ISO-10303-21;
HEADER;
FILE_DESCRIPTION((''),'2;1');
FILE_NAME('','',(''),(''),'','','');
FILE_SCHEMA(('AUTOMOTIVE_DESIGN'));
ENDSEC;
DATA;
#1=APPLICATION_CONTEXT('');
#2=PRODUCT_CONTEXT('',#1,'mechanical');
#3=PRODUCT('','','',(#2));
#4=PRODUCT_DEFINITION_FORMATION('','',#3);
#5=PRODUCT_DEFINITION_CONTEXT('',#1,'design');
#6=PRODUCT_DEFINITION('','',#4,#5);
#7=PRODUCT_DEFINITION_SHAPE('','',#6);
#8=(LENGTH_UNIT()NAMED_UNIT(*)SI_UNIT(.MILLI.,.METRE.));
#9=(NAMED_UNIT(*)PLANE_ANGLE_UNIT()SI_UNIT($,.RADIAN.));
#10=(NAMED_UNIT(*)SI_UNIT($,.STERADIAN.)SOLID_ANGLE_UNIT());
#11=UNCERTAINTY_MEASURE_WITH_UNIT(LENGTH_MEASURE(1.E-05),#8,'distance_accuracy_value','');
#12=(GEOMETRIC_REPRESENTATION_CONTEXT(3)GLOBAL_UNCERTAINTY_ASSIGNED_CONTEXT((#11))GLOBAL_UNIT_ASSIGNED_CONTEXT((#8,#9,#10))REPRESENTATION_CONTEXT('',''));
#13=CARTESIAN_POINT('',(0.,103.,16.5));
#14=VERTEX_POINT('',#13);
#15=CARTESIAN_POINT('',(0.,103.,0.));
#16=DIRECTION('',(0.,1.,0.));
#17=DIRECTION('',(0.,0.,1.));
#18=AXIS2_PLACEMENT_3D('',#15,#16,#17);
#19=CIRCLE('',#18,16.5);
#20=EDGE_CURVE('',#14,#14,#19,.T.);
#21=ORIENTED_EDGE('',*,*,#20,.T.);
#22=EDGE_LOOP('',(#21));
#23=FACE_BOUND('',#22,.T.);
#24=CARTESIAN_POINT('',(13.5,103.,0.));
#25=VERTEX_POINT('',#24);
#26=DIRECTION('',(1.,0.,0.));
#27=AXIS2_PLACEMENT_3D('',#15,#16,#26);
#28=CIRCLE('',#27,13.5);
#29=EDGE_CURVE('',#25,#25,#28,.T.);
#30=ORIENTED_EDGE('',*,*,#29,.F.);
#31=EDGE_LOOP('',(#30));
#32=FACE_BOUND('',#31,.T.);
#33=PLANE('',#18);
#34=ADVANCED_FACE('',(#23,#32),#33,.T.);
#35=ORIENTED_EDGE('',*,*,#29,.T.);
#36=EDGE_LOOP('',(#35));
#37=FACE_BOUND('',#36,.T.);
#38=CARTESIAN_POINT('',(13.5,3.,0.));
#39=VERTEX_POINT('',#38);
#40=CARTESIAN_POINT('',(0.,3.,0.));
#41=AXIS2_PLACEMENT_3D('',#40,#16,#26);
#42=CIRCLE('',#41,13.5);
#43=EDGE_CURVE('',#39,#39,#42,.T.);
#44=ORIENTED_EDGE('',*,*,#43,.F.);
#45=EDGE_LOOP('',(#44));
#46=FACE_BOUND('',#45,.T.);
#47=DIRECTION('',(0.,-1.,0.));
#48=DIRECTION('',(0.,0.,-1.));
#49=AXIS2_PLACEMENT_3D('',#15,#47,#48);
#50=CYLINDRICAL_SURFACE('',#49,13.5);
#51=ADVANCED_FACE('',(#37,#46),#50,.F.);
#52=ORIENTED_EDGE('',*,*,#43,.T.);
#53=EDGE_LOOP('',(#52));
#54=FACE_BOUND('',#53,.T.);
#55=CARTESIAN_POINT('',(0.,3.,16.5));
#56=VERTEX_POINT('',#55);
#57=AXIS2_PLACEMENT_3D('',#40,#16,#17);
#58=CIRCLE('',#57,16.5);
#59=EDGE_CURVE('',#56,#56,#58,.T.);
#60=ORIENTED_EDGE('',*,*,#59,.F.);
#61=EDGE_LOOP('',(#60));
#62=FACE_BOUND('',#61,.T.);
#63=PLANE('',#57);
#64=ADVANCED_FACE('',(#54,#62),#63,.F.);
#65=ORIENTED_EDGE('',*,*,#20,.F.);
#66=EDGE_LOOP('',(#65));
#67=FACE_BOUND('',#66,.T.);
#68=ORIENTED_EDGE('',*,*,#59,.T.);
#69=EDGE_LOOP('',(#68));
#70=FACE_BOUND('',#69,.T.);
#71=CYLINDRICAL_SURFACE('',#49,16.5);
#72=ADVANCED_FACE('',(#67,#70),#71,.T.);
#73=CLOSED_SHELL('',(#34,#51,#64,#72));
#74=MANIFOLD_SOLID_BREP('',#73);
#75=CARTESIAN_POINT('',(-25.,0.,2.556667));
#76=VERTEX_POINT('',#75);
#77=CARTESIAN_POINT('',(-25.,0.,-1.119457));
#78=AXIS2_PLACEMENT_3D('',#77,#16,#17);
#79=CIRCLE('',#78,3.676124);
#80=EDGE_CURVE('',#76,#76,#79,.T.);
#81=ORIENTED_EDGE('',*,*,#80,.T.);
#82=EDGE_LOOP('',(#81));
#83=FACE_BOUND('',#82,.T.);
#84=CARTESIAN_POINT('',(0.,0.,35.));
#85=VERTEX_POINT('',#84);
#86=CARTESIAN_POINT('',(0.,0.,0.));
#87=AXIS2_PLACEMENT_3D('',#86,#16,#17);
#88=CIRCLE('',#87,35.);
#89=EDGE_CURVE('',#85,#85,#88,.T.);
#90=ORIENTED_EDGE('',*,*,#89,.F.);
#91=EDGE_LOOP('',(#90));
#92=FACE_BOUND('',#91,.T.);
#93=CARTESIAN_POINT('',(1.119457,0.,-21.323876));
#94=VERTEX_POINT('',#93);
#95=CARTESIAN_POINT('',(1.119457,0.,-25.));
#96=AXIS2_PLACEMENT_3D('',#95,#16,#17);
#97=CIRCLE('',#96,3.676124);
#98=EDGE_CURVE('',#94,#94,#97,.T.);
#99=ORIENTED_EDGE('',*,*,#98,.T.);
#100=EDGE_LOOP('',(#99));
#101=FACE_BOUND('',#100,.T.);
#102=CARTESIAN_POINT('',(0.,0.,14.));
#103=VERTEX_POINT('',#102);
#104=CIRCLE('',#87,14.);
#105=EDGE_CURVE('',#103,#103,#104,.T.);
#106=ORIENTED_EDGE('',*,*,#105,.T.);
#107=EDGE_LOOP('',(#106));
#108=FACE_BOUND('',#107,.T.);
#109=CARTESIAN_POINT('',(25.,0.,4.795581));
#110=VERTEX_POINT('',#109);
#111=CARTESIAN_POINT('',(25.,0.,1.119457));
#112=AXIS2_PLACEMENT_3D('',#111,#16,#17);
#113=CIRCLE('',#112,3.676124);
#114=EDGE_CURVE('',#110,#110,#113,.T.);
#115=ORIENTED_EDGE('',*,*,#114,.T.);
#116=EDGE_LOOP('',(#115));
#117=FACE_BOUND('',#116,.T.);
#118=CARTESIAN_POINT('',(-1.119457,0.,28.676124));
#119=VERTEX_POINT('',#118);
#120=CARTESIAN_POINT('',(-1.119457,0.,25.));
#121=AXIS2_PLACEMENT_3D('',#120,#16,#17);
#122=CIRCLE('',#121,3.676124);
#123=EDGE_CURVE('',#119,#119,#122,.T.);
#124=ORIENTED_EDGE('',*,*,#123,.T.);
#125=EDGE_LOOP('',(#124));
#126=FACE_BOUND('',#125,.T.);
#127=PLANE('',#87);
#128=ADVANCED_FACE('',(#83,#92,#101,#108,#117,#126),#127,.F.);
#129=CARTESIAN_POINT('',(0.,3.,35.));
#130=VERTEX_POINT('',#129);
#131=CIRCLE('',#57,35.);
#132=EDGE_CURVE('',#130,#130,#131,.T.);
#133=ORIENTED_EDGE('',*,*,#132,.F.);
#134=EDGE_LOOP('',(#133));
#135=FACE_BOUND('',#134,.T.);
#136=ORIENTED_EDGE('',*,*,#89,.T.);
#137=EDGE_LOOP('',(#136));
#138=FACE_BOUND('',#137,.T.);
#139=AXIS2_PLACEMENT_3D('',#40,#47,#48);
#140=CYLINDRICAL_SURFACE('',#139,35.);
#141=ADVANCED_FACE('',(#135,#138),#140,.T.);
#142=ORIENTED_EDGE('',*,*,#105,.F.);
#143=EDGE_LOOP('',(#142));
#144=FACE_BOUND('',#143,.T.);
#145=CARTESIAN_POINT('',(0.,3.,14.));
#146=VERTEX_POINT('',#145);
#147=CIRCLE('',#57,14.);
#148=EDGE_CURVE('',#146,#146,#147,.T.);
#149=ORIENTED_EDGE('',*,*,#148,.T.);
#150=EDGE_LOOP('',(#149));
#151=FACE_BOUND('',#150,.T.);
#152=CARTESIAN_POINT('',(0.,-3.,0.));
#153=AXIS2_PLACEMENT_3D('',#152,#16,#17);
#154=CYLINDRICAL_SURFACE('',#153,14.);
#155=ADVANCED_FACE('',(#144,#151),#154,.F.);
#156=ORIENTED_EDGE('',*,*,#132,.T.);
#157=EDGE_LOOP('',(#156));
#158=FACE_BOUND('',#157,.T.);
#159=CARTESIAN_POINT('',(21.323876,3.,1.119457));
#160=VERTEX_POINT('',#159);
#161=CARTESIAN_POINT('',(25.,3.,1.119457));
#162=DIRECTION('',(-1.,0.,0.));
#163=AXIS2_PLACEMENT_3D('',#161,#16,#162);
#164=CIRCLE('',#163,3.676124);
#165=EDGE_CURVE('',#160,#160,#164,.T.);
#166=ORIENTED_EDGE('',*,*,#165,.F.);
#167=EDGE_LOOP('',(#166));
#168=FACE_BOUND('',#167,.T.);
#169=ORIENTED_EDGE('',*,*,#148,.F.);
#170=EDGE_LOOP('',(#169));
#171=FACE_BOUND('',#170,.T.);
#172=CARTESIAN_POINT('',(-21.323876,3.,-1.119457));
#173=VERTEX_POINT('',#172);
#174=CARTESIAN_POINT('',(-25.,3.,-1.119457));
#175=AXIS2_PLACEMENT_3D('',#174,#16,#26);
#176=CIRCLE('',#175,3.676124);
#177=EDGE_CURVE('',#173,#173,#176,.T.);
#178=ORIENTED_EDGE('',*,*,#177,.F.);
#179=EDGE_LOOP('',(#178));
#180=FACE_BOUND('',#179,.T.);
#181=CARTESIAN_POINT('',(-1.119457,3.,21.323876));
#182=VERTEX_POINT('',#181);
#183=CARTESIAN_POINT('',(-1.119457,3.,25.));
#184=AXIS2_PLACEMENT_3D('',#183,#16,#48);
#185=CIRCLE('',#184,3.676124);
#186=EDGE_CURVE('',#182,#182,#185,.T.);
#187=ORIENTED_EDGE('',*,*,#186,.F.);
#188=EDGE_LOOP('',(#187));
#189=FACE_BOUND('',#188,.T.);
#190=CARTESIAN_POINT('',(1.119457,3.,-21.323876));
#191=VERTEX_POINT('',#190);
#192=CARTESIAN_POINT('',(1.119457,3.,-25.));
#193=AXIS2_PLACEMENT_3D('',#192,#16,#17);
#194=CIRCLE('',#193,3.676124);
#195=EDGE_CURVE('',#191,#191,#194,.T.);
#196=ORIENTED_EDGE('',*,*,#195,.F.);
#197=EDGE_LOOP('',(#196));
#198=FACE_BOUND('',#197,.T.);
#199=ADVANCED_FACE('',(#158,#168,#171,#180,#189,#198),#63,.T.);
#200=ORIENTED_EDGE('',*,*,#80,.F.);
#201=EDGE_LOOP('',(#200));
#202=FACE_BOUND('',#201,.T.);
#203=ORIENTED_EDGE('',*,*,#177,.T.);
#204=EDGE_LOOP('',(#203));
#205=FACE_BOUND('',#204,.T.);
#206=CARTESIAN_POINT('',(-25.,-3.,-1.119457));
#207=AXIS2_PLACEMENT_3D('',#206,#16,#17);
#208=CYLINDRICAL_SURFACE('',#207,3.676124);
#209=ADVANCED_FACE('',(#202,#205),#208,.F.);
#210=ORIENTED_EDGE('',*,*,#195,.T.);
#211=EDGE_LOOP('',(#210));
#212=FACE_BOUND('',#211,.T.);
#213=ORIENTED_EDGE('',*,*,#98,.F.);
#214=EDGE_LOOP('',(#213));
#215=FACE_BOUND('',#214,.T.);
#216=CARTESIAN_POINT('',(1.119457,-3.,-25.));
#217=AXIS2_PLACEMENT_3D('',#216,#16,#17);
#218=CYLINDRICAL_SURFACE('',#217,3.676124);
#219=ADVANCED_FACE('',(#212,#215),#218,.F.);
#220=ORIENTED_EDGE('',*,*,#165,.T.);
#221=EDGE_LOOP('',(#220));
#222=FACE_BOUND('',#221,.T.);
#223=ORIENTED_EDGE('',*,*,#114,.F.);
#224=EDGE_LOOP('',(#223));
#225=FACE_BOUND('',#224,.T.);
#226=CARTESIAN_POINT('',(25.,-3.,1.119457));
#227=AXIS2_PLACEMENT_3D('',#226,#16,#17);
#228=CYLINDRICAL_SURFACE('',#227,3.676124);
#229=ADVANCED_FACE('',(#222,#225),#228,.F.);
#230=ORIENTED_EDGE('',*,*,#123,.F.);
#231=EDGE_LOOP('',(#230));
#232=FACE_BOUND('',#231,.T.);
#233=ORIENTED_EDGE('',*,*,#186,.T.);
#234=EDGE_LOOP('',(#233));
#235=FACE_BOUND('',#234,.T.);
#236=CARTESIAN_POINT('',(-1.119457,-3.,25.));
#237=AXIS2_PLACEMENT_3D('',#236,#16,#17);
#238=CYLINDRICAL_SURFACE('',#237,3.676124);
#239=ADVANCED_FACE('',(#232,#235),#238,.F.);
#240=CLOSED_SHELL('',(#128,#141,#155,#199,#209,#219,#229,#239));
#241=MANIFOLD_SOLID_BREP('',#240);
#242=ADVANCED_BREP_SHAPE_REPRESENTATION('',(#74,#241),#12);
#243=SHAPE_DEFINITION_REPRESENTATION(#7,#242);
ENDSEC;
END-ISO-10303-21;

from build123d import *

# Parameters (mm, degrees)
SKETCH1_R           = 35
BOSS_EXTRUDE1_DEPTH = 3
SKETCH2_R           = 14
CUT_EXTRUDE1_DEPTH  = 6
SKETCH3_R           = 3.676124065
CUT_EXTRUDE2_DEPTH  = 6
CIRPATTERN1_COUNT   = 4
SKETCH4_R           = 16.5
SKETCH4_R_2         = 13.5
EXTRUDE_THIN1_DEPTH = 100


with BuildPart() as part:
    # Sketch1 → Boss-Extrude1 (new body)
    with BuildSketch(Plane(origin=(0, 0, 0), x_dir=(1, 0, 0), z_dir=(0, 1, 0))):
        with Locations(Location((0, 0, 0), (0, 0, 270))):
            Circle(SKETCH1_R)
    extrude(amount=BOSS_EXTRUDE1_DEPTH)

    # Sketch2 → Cut-Extrude1 (cut)
    with BuildSketch(Plane(origin=(0, 3, 0), x_dir=(1, 0, 0), z_dir=(0, 1, 0))):
        with Locations(Location((0, 0, 0), (0, 0, 270))):
            Circle(SKETCH2_R)
    extrude(amount=-CUT_EXTRUDE1_DEPTH, mode=Mode.SUBTRACT)

    # Sketch3 → Cut-Extrude2 (cut)
    with BuildSketch(Plane(origin=(0, 3, 0), x_dir=(1, 0, 0), z_dir=(0, 1, 0))):
        with Locations(Location((1.119457284, 25, 0), (0, 0, 270))):
            Circle(SKETCH3_R)
    cut_extrude2 = extrude(amount=-CUT_EXTRUDE2_DEPTH, mode=Mode.SUBTRACT)

    # CirPattern1: Cut-Extrude2 ×4 about axis
    cirpattern1_axis = Axis((0, 0, 0), (0, 1, 0))
    for i in range(1, CIRPATTERN1_COUNT):
        add(cut_extrude2.rotate(cirpattern1_axis, i * 360 / CIRPATTERN1_COUNT), mode=Mode.SUBTRACT)


with BuildPart() as body_2:
    # Sketch4 → Extrude-Thin1 (new body)
    with BuildSketch(Plane(origin=(0, 3, 0), x_dir=(1, 0, 0), z_dir=(0, 1, 0))):
        Circle(SKETCH4_R)
        Circle(SKETCH4_R_2, mode=Mode.SUBTRACT)
    extrude(amount=EXTRUDE_THIN1_DEPTH)


solid = Compound([part.part, body_2.part])
